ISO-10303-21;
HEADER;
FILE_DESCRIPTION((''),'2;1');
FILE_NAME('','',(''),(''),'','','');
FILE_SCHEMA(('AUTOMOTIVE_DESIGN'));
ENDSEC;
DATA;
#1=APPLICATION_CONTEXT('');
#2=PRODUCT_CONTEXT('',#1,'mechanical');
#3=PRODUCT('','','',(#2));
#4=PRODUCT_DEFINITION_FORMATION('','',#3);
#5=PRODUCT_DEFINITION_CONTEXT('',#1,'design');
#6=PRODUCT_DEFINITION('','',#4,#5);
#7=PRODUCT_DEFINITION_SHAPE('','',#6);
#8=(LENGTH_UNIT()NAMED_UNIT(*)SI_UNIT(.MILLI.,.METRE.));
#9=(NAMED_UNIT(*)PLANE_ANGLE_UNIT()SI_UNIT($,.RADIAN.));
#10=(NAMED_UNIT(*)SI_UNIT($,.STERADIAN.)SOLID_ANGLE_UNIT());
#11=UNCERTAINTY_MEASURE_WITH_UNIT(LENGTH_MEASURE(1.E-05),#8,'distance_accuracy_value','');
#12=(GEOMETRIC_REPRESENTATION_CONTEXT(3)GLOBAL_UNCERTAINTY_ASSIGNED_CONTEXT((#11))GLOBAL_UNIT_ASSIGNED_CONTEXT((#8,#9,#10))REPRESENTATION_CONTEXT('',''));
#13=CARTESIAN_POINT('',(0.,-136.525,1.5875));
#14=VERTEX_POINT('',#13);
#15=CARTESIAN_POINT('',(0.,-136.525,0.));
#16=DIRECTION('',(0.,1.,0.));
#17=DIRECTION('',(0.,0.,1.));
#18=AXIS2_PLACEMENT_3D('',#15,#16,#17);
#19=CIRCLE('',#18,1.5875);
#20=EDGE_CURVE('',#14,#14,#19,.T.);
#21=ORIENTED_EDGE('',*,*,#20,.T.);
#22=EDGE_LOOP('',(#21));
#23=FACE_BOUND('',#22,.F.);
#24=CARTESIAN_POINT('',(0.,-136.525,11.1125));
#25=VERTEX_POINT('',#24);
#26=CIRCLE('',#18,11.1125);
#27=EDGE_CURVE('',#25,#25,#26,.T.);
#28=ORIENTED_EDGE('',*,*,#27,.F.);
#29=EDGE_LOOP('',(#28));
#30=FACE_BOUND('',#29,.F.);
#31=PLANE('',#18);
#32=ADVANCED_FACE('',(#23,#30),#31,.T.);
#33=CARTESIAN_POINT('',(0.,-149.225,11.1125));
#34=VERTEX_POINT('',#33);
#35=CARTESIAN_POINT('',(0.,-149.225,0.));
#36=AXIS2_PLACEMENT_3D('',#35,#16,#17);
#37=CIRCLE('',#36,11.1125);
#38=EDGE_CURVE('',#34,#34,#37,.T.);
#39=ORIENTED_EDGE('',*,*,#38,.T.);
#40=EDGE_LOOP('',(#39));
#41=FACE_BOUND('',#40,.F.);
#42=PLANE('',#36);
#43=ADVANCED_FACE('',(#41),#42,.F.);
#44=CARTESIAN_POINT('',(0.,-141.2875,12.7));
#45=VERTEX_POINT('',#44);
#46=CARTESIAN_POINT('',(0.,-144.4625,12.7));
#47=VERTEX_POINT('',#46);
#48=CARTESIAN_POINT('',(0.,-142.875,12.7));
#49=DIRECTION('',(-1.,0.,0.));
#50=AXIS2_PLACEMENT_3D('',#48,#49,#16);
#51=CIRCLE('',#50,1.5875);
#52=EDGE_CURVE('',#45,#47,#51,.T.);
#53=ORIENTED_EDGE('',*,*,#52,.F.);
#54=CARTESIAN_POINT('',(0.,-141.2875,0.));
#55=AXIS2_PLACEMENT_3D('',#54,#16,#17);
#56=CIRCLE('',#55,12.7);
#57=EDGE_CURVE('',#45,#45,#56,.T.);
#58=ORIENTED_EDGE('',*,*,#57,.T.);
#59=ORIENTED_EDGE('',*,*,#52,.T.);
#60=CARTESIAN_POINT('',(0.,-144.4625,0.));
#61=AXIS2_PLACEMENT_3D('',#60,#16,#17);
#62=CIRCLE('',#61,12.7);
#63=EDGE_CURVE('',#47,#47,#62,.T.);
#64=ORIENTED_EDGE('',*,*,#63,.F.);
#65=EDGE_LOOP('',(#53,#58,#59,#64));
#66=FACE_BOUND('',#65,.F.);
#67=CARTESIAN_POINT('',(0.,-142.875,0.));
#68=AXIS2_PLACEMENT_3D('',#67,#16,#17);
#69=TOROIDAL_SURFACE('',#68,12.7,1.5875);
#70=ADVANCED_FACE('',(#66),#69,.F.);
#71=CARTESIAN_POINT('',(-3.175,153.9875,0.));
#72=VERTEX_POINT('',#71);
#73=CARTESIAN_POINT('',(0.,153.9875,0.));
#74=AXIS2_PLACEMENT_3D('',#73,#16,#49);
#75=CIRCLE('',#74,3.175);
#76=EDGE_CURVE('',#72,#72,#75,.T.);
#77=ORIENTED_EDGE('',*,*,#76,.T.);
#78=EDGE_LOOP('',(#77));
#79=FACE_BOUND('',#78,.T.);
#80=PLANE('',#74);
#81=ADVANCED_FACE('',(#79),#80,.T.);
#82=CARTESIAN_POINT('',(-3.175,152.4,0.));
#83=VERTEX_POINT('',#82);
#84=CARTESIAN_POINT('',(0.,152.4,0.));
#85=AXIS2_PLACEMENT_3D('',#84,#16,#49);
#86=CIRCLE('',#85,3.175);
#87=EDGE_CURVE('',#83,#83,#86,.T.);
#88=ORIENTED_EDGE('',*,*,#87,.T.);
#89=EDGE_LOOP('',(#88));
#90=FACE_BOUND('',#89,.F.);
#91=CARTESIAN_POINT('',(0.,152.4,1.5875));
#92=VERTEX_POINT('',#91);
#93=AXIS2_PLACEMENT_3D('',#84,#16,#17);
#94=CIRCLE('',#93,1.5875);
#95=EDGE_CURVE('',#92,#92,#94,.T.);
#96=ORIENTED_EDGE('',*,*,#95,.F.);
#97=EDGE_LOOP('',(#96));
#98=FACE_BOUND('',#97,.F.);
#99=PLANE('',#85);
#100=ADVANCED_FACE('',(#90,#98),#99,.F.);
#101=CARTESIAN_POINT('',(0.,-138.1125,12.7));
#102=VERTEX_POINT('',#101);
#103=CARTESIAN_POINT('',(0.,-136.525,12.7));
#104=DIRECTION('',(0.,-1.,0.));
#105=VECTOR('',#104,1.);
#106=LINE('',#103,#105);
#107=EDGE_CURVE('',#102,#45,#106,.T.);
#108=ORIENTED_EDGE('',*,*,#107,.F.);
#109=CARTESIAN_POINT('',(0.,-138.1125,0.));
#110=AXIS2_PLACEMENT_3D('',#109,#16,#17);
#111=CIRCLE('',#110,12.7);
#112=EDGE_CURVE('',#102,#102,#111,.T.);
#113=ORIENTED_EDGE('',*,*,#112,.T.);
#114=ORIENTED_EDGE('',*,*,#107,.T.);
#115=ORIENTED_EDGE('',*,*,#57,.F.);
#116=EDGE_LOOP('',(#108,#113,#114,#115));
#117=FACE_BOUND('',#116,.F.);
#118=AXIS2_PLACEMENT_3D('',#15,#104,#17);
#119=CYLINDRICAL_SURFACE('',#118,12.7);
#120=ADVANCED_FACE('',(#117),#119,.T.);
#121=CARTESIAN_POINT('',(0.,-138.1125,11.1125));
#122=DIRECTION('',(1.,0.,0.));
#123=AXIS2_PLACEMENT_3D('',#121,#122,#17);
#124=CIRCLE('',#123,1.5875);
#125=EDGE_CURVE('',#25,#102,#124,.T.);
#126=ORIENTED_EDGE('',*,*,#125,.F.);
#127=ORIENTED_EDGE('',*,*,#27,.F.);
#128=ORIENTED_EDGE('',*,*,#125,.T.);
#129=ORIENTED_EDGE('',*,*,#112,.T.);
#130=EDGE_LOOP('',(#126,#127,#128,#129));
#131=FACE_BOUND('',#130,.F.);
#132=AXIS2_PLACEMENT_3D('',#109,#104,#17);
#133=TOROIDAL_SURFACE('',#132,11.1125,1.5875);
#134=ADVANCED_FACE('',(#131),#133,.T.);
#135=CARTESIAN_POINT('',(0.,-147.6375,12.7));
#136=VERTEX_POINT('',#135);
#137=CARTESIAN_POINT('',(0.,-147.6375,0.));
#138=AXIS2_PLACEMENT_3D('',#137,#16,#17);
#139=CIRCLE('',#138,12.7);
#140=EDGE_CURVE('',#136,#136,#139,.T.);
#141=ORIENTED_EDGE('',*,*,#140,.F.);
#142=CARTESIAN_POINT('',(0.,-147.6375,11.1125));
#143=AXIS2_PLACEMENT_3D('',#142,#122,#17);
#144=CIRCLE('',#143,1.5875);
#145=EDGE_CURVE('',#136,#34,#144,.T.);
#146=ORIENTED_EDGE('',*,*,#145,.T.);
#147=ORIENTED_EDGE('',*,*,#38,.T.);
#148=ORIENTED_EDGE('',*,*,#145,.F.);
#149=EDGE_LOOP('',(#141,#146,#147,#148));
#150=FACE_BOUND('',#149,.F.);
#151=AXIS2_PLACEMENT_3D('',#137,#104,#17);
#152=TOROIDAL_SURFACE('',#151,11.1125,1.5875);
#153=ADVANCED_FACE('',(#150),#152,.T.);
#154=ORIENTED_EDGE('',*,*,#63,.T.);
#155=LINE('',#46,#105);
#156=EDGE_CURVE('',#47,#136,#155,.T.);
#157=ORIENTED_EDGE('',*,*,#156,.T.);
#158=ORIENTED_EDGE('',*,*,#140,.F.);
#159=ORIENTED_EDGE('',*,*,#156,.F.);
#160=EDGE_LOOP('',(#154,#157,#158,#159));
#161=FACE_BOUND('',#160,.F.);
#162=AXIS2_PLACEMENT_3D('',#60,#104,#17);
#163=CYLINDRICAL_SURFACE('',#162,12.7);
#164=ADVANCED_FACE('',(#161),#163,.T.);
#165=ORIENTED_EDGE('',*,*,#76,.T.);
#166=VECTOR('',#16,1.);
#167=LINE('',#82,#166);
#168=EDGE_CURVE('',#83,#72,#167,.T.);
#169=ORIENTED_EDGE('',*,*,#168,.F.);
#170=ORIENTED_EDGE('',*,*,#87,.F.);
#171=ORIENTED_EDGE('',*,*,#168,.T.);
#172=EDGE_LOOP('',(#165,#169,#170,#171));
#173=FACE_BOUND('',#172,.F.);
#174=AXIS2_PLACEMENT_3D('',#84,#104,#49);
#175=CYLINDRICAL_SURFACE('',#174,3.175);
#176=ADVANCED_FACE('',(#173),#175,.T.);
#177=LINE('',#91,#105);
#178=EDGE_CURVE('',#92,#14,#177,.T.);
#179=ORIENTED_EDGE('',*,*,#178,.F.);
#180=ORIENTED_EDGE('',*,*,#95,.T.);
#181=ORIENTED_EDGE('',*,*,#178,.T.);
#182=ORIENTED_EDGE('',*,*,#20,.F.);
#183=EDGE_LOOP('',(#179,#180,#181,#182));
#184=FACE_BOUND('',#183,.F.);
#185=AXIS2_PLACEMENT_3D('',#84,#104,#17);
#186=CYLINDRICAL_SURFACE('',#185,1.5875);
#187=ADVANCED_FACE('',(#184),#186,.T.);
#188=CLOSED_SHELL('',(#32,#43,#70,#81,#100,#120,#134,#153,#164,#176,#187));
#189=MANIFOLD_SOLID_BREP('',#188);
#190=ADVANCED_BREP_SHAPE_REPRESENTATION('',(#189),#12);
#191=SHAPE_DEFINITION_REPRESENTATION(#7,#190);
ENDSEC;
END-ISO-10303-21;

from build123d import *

# Parameters (mm, degrees)
F2_R     = 1.5875
F3_R     = 3.175
F4_DEPTH = 1.5875


with BuildPart() as f1:
    # F0 (on Right) → F1 (revolve)
    with BuildSketch(Plane.YZ):
        with BuildLine():
            Line((-144.4625, 12.7), (-149.225, 12.7))
            Line((-149.225, 12.7), (-149.225, 0))
            Line((-149.225, 0), (-136.525, 0))
            Line((-136.525, 0), (152.4, 0))
            Line((152.4, 0), (152.4, 1.5875))
            Line((152.4, 1.5875), (-136.525, 1.5875))
            Line((-136.525, 1.5875), (-136.525, 12.7))
            Line((-136.525, 12.7), (-141.2875, 12.7))
            ThreePointArc((-141.2875, 12.7), (-142.875, 11.1125), (-144.4625, 12.7))
        make_face()
    revolve(axis=Axis((0, 7.9375, 0), (0, 1, 0)))

    # F2
    f2_edges = [f1.edges().sort_by_distance(p)[0] for p in [
        (0, -136.525, -12.7),
        (0, -149.225, -12.7),
    ]]
    fillet(f2_edges, radius=F2_R)

    # F3 (on face) → F4 (join)
    with BuildSketch(Plane(origin=(0, 152.4, 0), x_dir=(-1, 0, 0), z_dir=(0, 1, 0))):
        Circle(F3_R)
    extrude(amount=F4_DEPTH)


solid = f1.part
